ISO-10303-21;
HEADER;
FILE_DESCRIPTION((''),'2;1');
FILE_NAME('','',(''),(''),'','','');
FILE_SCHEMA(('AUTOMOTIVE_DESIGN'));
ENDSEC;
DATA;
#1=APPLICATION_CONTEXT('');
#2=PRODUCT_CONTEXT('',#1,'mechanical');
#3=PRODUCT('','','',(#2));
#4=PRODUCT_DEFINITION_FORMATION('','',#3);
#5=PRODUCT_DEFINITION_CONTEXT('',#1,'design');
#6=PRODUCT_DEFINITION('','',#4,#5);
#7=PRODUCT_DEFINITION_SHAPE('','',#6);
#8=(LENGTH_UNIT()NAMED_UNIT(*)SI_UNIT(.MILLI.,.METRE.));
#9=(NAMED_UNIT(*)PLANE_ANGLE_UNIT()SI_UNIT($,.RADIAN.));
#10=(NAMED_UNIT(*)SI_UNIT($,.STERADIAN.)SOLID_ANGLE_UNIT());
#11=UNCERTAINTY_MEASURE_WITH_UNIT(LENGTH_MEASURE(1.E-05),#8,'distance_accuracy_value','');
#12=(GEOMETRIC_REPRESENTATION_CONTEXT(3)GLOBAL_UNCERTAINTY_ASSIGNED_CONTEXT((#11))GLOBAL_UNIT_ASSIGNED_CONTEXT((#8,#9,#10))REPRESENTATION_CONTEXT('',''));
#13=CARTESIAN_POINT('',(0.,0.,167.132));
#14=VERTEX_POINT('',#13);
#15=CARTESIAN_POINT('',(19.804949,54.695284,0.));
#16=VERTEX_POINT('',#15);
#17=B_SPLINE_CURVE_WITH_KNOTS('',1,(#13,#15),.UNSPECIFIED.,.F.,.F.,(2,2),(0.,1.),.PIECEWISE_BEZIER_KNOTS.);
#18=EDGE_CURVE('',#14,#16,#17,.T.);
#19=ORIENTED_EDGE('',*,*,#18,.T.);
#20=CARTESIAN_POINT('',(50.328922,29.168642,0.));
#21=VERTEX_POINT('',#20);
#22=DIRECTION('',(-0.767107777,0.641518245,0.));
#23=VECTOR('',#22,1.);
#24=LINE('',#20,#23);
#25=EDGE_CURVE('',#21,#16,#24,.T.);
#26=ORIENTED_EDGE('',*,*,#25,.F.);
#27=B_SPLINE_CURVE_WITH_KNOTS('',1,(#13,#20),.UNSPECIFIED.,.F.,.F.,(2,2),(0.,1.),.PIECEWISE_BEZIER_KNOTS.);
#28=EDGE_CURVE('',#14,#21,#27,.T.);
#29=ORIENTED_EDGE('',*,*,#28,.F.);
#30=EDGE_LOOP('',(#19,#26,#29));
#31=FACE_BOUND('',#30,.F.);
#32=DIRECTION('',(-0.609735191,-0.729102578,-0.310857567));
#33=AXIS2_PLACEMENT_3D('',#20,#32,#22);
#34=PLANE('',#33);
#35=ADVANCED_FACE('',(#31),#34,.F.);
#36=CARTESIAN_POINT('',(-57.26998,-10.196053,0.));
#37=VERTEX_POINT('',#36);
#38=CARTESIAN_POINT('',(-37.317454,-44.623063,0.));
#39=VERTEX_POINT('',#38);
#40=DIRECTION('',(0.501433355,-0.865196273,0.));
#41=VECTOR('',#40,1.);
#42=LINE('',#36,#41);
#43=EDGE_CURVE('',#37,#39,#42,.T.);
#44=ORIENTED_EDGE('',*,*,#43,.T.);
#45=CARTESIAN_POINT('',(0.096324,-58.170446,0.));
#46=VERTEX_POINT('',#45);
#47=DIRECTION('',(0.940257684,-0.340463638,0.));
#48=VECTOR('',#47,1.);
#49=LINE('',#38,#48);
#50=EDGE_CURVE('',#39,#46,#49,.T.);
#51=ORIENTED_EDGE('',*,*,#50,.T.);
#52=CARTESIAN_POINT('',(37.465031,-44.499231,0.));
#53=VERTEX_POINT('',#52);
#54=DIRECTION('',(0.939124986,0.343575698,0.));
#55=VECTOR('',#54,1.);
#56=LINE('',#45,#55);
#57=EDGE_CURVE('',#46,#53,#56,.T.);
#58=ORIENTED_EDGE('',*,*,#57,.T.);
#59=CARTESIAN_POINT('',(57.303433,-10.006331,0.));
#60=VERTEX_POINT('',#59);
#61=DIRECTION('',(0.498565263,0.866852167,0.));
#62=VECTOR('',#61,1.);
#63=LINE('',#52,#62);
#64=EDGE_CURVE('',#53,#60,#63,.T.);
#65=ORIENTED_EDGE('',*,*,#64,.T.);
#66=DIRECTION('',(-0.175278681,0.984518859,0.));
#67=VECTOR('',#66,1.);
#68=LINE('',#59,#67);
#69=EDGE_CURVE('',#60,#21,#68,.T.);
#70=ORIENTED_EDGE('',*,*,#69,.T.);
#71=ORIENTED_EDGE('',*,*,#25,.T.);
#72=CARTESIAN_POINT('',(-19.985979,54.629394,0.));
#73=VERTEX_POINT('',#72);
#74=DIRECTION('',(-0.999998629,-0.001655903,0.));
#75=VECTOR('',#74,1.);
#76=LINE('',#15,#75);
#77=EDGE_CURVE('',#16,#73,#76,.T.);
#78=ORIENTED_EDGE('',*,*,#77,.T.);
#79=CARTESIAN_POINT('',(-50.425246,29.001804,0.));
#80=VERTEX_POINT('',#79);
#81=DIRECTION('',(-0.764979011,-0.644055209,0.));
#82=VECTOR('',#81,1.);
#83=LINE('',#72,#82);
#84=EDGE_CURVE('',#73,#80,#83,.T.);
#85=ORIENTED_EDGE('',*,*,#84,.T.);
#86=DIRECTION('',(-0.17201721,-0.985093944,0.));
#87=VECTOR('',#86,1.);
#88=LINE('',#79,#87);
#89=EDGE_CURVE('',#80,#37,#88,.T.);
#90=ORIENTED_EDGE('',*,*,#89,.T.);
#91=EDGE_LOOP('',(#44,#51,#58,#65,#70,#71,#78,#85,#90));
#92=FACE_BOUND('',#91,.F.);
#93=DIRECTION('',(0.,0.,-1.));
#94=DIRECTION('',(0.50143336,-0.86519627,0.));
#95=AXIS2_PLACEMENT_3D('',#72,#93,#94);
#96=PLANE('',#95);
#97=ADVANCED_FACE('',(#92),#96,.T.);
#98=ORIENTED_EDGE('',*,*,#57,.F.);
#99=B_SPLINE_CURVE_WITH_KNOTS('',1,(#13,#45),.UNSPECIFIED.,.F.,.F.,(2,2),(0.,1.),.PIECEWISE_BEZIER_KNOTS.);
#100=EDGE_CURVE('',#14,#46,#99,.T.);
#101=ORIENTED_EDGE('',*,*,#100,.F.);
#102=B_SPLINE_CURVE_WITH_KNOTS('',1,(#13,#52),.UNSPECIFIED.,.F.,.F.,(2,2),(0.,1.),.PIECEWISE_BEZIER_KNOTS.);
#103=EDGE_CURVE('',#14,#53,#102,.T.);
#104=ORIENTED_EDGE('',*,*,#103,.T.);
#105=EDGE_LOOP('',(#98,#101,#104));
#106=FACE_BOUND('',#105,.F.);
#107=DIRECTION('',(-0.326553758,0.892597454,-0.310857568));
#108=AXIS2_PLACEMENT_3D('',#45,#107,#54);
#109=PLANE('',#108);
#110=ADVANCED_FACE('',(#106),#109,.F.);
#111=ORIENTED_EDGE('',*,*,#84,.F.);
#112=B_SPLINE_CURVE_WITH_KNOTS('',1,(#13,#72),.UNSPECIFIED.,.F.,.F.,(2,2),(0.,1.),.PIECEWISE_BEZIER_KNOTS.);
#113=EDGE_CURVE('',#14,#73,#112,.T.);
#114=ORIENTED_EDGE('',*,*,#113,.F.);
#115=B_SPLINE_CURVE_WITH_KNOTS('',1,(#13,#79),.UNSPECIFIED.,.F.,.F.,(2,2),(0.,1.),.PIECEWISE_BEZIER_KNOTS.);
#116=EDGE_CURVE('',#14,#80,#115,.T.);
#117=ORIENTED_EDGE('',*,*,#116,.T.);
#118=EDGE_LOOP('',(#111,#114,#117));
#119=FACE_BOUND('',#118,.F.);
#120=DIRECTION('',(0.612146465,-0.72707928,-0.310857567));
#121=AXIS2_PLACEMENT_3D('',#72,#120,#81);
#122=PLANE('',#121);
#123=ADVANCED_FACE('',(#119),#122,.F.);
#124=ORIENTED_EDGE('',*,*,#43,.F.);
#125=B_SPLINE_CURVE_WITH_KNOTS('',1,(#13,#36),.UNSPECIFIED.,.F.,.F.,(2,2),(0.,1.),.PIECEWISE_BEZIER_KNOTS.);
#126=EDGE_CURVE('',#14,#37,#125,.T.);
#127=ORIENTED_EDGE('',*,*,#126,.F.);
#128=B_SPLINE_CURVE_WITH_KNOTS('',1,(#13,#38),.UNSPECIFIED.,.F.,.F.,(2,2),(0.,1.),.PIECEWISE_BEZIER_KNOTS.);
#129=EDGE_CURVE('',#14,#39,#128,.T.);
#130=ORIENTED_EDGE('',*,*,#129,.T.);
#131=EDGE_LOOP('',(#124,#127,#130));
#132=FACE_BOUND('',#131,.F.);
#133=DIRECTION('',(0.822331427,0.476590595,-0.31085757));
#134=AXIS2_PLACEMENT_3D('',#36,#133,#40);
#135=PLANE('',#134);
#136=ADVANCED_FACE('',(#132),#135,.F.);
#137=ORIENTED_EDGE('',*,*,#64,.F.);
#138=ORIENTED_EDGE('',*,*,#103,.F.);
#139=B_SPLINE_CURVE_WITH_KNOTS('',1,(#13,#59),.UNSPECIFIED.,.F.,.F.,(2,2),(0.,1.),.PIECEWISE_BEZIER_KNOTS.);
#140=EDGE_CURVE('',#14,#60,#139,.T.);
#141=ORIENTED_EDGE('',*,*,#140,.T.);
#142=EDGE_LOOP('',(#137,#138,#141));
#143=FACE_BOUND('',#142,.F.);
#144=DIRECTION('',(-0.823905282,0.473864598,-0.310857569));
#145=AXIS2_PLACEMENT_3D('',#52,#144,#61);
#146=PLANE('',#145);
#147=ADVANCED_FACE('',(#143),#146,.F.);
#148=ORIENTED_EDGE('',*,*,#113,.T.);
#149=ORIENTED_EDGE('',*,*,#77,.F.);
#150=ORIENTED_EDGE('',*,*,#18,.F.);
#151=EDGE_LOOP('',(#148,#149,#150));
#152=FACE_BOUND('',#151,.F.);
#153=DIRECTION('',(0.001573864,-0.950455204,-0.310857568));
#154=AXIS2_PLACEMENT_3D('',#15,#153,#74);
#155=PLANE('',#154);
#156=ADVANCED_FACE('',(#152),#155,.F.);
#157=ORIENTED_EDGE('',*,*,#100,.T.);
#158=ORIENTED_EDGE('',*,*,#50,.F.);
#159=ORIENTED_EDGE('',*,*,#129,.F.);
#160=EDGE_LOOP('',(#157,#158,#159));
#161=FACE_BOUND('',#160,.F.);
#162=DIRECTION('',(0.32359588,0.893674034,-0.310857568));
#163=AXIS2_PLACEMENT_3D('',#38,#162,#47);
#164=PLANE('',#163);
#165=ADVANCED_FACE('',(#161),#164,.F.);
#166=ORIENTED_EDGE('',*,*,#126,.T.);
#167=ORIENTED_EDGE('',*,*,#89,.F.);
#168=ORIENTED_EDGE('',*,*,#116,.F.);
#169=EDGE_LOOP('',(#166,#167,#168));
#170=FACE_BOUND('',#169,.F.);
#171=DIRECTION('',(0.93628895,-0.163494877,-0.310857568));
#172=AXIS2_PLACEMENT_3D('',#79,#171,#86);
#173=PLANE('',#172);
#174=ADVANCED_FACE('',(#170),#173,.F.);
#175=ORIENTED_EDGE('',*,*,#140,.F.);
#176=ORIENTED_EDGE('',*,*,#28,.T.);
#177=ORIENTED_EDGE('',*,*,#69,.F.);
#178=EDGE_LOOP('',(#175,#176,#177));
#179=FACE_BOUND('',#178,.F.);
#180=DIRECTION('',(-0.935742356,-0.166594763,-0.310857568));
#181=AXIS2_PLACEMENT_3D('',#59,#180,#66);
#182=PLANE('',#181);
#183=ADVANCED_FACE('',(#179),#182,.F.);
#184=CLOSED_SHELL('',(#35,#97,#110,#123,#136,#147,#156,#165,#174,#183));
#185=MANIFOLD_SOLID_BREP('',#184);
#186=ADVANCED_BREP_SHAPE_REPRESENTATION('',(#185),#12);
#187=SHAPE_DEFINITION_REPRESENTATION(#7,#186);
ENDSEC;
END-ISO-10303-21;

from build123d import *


with BuildPart() as f3:
    # F0 (on Top) → F3 section 0
    with BuildSketch(Plane.XY, mode=Mode.PRIVATE) as f3_s0:
        Polygon((-19.985979, 54.629394), (-50.425246, 29.001804), (-57.26998, -10.196053), (-37.317454, -44.623063), (0.096324, -58.170446), (37.465031, -44.499231), (57.303433, -10.006331), (50.328922, 29.168642), (19.804949, 54.695284), align=None)
    loft([Vertex(0, 0, 167.132), f3_s0.sketch])


solid = f3.part
